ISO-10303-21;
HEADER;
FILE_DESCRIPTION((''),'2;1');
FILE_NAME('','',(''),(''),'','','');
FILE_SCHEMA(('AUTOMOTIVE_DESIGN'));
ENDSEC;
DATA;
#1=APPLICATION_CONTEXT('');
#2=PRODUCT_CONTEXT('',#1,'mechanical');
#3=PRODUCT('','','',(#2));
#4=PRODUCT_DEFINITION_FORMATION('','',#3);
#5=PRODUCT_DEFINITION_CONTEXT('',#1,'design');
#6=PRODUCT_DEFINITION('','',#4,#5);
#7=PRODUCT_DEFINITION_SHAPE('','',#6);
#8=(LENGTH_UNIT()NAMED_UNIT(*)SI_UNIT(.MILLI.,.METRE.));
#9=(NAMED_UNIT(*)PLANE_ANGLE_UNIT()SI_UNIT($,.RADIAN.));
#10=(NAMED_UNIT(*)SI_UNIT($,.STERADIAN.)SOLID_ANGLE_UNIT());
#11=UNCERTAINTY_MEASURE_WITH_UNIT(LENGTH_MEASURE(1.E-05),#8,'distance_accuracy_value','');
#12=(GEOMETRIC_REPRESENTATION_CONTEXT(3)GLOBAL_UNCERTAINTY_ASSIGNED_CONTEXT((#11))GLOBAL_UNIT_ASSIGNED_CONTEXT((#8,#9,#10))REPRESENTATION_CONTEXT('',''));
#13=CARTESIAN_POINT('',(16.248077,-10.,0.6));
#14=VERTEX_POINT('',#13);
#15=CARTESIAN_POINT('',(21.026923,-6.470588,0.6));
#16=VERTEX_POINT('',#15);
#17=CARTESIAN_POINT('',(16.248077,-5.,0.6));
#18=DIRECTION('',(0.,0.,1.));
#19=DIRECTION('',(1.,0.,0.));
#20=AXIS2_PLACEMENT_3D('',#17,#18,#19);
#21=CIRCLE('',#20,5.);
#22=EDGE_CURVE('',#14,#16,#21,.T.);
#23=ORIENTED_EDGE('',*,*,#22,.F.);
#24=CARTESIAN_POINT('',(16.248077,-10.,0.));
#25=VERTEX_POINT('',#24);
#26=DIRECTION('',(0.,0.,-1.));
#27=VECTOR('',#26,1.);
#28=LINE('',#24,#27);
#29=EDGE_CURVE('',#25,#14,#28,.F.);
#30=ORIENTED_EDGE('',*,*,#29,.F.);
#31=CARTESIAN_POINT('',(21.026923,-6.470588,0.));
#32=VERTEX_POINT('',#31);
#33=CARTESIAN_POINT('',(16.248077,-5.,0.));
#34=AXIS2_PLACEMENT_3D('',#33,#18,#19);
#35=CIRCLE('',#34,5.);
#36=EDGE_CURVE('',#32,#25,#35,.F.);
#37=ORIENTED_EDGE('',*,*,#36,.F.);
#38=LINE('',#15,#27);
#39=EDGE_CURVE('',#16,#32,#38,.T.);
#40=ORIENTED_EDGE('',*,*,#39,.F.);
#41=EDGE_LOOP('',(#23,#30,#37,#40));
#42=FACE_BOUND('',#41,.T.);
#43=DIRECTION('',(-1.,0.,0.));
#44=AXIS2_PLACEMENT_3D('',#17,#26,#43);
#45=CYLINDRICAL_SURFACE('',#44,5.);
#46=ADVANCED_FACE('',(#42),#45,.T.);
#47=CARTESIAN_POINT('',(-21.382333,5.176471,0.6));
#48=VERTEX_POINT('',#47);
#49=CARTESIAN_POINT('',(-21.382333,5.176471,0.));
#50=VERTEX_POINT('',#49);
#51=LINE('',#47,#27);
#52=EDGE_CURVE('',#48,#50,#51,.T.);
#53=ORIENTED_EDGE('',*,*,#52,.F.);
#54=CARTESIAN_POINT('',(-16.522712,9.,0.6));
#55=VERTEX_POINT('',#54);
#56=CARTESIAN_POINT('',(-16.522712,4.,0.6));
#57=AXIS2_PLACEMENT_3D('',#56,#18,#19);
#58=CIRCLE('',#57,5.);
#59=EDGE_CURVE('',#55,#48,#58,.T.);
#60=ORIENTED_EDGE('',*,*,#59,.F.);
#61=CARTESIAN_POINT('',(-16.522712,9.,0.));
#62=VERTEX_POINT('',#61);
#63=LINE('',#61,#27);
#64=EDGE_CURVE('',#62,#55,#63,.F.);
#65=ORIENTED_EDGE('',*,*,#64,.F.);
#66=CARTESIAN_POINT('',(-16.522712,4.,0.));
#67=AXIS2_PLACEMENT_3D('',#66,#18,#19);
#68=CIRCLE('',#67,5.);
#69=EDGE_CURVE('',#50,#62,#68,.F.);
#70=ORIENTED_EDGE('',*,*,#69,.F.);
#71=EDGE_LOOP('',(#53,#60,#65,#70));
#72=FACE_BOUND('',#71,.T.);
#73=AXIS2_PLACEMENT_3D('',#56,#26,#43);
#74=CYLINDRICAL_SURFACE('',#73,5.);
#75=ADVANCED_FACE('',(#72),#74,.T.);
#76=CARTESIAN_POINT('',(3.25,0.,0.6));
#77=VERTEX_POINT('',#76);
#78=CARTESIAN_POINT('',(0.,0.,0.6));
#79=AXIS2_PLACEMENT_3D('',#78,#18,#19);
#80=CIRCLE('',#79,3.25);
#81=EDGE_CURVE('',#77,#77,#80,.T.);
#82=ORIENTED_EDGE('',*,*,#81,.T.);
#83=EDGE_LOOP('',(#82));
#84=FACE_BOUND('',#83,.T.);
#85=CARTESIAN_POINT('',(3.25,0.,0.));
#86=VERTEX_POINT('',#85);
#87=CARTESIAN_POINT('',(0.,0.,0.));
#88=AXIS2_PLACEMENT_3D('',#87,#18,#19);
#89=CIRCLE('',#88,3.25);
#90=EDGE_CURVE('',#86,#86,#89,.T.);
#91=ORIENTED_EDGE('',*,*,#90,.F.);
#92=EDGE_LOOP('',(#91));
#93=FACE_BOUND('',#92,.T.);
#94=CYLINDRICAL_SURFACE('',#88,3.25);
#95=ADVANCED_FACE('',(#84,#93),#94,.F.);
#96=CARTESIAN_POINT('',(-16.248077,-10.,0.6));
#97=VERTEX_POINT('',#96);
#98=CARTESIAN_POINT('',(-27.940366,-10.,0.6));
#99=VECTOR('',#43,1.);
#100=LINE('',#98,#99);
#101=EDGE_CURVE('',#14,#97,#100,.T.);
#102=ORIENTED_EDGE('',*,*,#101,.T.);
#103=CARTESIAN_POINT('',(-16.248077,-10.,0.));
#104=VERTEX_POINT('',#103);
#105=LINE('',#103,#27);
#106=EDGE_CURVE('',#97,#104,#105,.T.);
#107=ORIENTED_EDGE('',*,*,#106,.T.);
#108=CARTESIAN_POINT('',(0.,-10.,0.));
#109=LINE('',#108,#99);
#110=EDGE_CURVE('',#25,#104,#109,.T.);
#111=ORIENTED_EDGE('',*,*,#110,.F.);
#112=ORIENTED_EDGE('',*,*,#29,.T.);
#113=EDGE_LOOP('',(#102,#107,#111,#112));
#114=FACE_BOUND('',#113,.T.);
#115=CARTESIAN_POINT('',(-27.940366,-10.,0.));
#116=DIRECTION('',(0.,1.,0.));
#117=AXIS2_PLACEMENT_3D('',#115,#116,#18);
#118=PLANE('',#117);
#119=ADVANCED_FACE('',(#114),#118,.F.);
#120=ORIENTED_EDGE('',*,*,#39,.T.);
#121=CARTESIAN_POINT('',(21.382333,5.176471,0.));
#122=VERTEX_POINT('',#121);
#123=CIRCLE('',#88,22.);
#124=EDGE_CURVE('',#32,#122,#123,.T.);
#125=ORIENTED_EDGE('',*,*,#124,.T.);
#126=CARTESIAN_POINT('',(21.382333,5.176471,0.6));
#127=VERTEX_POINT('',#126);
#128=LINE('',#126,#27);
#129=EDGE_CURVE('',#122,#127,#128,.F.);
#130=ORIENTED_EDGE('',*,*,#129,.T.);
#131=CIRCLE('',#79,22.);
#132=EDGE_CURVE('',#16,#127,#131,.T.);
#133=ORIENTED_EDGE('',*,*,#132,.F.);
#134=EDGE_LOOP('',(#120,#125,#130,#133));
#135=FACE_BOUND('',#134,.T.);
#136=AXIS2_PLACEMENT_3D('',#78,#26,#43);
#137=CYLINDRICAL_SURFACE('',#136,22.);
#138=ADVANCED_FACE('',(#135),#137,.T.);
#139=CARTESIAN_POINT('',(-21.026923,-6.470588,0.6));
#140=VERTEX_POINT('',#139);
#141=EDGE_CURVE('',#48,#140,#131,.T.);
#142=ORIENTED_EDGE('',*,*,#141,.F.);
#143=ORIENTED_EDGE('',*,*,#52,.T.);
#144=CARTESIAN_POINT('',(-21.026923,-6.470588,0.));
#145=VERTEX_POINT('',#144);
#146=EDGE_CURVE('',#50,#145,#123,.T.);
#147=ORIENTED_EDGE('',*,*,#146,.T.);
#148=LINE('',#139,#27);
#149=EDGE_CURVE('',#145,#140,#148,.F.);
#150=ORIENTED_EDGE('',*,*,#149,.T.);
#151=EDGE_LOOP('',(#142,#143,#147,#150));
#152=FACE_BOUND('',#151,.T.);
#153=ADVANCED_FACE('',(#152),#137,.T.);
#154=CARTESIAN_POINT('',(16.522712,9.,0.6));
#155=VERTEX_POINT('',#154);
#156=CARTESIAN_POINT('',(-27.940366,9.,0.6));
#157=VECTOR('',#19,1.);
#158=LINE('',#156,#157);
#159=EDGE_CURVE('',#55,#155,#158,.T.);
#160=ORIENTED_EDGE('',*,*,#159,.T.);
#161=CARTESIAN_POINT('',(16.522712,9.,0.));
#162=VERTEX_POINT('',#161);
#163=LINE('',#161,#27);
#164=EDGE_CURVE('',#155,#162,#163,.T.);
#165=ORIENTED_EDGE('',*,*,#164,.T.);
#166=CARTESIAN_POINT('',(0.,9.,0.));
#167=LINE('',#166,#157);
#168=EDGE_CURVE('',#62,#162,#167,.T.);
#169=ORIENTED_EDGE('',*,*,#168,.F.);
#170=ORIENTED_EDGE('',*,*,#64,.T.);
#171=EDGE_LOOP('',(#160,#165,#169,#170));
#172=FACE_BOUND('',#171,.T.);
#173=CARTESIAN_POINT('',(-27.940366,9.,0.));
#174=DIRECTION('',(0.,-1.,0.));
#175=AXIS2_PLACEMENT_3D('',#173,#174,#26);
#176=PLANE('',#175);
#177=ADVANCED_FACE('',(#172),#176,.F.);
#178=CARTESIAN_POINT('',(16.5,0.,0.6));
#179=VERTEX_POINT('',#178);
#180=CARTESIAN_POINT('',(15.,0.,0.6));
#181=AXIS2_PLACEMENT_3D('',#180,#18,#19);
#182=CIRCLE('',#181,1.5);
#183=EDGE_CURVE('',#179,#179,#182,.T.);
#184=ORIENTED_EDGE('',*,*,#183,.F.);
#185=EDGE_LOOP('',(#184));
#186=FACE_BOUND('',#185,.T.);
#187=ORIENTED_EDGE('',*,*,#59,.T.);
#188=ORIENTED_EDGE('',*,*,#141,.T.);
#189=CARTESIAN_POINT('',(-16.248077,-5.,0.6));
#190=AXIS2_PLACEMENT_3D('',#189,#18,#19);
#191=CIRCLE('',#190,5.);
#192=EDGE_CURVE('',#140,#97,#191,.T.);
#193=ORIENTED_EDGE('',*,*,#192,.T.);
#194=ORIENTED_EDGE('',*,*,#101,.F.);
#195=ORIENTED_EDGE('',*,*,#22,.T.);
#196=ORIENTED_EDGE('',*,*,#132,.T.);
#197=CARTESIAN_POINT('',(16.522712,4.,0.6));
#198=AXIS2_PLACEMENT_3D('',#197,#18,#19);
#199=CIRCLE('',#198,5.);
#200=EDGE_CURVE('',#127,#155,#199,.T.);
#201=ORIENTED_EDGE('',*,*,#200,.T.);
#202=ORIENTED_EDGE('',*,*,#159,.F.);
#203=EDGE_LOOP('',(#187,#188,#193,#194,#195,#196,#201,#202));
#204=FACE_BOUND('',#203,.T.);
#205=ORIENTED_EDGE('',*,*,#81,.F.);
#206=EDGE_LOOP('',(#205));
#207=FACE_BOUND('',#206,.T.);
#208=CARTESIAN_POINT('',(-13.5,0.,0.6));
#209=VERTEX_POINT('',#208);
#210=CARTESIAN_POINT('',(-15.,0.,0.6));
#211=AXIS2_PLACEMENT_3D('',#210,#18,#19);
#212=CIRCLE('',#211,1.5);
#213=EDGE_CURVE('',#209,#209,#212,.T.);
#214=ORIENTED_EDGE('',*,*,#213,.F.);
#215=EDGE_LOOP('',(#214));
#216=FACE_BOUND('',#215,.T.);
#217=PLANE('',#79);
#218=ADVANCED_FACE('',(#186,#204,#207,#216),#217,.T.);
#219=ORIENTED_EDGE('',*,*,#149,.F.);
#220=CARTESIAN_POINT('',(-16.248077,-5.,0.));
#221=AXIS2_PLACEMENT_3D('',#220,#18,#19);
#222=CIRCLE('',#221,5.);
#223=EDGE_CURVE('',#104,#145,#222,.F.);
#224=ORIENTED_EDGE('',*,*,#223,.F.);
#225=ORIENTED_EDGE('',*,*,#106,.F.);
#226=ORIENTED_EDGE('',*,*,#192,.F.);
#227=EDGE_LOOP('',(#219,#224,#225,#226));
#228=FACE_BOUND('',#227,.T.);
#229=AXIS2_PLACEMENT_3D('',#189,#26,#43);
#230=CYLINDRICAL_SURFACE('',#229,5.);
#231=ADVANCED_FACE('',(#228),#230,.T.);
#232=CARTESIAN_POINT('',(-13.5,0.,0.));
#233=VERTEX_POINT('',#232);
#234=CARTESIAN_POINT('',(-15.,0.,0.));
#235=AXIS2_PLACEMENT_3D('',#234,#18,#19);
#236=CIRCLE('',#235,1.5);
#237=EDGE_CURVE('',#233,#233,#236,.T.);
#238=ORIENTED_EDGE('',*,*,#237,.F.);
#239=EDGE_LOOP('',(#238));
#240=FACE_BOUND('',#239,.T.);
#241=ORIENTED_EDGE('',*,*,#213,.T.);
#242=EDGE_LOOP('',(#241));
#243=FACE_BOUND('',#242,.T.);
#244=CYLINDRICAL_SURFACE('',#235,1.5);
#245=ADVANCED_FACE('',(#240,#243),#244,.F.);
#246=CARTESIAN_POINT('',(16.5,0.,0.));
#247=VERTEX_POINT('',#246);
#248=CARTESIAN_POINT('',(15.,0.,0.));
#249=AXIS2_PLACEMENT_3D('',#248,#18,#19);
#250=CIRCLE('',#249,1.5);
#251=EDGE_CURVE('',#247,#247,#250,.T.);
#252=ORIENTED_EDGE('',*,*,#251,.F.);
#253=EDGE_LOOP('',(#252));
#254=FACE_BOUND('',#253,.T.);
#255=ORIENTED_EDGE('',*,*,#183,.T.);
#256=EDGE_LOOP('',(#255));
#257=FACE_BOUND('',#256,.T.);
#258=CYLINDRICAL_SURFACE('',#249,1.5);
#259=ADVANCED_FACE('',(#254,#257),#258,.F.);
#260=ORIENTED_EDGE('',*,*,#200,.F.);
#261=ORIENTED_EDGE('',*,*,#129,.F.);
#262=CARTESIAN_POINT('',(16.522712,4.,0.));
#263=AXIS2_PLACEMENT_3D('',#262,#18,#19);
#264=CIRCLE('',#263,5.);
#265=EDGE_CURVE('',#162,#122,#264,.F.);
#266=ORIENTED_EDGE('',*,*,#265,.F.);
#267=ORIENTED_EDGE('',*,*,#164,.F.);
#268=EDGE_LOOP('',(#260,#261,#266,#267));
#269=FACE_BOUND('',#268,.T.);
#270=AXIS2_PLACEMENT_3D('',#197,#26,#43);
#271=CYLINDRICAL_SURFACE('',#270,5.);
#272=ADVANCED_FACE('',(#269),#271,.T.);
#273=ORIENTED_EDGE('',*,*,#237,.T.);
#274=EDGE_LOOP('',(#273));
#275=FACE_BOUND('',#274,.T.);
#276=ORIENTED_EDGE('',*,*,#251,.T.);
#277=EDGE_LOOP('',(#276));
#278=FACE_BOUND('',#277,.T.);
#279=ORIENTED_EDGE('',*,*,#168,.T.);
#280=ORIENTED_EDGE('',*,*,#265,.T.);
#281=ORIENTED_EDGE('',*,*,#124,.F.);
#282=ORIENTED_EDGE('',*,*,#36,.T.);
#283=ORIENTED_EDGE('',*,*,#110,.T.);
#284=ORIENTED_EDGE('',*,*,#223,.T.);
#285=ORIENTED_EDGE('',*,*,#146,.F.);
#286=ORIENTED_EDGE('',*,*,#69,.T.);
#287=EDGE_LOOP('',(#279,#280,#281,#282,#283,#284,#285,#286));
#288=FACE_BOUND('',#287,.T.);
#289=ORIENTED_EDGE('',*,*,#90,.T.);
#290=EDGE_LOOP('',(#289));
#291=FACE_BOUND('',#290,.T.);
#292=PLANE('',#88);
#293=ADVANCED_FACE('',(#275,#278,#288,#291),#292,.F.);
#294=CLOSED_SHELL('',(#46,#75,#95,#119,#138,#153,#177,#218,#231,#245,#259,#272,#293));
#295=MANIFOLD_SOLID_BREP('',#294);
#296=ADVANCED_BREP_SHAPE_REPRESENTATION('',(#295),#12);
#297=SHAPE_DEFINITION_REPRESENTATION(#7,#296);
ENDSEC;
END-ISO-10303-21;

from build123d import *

# Parameters (mm, degrees)
SKETCH_1_R          = 22
EXTRUDE_1_DEPTH     = 0.6
SKETCH_2_R          = 3.25
CUT_EXTRUDE_1_DEPTH = 32.118483254
SKETCH_3_R          = 1.5
CUT_EXTRUDE_2_DEPTH = 32.118483254
SKETCH_5_W          = 56.096765119
SKETCH_5_H          = 19.515049226
SKETCH_5_W_2        = 56.672855133
SKETCH_5_H_2        = 21.675386779
CUT_EXTRUDE_4_DEPTH = 32.118483254
FILLET_1_R          = 5


with BuildPart() as part:
    # Эскиз1 → Бобышка-Вытянуть1 (new body)
    with BuildSketch(Plane.XY):
        Circle(SKETCH_1_R)
    extrude(amount=EXTRUDE_1_DEPTH)

    # Эскиз2 → Вырез-Вытянуть1 (cut, through all)
    with BuildSketch(Plane.XY.offset(0.6)):
        Circle(SKETCH_2_R)
    extrude(amount=-CUT_EXTRUDE_1_DEPTH, mode=Mode.SUBTRACT)

    # Эскиз3 → Вырез-Вытянуть2 (cut, through all)
    with BuildSketch(Plane.XY.offset(0.6)):
        with Locations((-15, 0)):
            Circle(SKETCH_3_R)
        with Locations((15, 0)):
            Circle(SKETCH_3_R)
    extrude(amount=-CUT_EXTRUDE_2_DEPTH, mode=Mode.SUBTRACT)

    # Эскиз5 → Вырез-Вытянуть4 (cut, through all)
    with BuildSketch(Plane.XY.offset(0.6)):
        with Locations((0.108016877, 18.757524613)):
            Rectangle(SKETCH_5_W, SKETCH_5_H)
        with Locations((0.396061884, -20.83769339)):
            Rectangle(SKETCH_5_W_2, SKETCH_5_H_2)
    extrude(amount=-CUT_EXTRUDE_4_DEPTH, mode=Mode.SUBTRACT)

    # Скругление1
    fillet_1_edges = [part.edges().sort_by_distance(p)[0] for p in [
        (-20.0748599, 9, 0.3),
        (20.0748599, 9, 0.3),
        (19.595917942, -10, 0.3),
        (-19.595917942, -10, 0.3),
    ]]
    fillet(fillet_1_edges, radius=FILLET_1_R)


solid = part.part
